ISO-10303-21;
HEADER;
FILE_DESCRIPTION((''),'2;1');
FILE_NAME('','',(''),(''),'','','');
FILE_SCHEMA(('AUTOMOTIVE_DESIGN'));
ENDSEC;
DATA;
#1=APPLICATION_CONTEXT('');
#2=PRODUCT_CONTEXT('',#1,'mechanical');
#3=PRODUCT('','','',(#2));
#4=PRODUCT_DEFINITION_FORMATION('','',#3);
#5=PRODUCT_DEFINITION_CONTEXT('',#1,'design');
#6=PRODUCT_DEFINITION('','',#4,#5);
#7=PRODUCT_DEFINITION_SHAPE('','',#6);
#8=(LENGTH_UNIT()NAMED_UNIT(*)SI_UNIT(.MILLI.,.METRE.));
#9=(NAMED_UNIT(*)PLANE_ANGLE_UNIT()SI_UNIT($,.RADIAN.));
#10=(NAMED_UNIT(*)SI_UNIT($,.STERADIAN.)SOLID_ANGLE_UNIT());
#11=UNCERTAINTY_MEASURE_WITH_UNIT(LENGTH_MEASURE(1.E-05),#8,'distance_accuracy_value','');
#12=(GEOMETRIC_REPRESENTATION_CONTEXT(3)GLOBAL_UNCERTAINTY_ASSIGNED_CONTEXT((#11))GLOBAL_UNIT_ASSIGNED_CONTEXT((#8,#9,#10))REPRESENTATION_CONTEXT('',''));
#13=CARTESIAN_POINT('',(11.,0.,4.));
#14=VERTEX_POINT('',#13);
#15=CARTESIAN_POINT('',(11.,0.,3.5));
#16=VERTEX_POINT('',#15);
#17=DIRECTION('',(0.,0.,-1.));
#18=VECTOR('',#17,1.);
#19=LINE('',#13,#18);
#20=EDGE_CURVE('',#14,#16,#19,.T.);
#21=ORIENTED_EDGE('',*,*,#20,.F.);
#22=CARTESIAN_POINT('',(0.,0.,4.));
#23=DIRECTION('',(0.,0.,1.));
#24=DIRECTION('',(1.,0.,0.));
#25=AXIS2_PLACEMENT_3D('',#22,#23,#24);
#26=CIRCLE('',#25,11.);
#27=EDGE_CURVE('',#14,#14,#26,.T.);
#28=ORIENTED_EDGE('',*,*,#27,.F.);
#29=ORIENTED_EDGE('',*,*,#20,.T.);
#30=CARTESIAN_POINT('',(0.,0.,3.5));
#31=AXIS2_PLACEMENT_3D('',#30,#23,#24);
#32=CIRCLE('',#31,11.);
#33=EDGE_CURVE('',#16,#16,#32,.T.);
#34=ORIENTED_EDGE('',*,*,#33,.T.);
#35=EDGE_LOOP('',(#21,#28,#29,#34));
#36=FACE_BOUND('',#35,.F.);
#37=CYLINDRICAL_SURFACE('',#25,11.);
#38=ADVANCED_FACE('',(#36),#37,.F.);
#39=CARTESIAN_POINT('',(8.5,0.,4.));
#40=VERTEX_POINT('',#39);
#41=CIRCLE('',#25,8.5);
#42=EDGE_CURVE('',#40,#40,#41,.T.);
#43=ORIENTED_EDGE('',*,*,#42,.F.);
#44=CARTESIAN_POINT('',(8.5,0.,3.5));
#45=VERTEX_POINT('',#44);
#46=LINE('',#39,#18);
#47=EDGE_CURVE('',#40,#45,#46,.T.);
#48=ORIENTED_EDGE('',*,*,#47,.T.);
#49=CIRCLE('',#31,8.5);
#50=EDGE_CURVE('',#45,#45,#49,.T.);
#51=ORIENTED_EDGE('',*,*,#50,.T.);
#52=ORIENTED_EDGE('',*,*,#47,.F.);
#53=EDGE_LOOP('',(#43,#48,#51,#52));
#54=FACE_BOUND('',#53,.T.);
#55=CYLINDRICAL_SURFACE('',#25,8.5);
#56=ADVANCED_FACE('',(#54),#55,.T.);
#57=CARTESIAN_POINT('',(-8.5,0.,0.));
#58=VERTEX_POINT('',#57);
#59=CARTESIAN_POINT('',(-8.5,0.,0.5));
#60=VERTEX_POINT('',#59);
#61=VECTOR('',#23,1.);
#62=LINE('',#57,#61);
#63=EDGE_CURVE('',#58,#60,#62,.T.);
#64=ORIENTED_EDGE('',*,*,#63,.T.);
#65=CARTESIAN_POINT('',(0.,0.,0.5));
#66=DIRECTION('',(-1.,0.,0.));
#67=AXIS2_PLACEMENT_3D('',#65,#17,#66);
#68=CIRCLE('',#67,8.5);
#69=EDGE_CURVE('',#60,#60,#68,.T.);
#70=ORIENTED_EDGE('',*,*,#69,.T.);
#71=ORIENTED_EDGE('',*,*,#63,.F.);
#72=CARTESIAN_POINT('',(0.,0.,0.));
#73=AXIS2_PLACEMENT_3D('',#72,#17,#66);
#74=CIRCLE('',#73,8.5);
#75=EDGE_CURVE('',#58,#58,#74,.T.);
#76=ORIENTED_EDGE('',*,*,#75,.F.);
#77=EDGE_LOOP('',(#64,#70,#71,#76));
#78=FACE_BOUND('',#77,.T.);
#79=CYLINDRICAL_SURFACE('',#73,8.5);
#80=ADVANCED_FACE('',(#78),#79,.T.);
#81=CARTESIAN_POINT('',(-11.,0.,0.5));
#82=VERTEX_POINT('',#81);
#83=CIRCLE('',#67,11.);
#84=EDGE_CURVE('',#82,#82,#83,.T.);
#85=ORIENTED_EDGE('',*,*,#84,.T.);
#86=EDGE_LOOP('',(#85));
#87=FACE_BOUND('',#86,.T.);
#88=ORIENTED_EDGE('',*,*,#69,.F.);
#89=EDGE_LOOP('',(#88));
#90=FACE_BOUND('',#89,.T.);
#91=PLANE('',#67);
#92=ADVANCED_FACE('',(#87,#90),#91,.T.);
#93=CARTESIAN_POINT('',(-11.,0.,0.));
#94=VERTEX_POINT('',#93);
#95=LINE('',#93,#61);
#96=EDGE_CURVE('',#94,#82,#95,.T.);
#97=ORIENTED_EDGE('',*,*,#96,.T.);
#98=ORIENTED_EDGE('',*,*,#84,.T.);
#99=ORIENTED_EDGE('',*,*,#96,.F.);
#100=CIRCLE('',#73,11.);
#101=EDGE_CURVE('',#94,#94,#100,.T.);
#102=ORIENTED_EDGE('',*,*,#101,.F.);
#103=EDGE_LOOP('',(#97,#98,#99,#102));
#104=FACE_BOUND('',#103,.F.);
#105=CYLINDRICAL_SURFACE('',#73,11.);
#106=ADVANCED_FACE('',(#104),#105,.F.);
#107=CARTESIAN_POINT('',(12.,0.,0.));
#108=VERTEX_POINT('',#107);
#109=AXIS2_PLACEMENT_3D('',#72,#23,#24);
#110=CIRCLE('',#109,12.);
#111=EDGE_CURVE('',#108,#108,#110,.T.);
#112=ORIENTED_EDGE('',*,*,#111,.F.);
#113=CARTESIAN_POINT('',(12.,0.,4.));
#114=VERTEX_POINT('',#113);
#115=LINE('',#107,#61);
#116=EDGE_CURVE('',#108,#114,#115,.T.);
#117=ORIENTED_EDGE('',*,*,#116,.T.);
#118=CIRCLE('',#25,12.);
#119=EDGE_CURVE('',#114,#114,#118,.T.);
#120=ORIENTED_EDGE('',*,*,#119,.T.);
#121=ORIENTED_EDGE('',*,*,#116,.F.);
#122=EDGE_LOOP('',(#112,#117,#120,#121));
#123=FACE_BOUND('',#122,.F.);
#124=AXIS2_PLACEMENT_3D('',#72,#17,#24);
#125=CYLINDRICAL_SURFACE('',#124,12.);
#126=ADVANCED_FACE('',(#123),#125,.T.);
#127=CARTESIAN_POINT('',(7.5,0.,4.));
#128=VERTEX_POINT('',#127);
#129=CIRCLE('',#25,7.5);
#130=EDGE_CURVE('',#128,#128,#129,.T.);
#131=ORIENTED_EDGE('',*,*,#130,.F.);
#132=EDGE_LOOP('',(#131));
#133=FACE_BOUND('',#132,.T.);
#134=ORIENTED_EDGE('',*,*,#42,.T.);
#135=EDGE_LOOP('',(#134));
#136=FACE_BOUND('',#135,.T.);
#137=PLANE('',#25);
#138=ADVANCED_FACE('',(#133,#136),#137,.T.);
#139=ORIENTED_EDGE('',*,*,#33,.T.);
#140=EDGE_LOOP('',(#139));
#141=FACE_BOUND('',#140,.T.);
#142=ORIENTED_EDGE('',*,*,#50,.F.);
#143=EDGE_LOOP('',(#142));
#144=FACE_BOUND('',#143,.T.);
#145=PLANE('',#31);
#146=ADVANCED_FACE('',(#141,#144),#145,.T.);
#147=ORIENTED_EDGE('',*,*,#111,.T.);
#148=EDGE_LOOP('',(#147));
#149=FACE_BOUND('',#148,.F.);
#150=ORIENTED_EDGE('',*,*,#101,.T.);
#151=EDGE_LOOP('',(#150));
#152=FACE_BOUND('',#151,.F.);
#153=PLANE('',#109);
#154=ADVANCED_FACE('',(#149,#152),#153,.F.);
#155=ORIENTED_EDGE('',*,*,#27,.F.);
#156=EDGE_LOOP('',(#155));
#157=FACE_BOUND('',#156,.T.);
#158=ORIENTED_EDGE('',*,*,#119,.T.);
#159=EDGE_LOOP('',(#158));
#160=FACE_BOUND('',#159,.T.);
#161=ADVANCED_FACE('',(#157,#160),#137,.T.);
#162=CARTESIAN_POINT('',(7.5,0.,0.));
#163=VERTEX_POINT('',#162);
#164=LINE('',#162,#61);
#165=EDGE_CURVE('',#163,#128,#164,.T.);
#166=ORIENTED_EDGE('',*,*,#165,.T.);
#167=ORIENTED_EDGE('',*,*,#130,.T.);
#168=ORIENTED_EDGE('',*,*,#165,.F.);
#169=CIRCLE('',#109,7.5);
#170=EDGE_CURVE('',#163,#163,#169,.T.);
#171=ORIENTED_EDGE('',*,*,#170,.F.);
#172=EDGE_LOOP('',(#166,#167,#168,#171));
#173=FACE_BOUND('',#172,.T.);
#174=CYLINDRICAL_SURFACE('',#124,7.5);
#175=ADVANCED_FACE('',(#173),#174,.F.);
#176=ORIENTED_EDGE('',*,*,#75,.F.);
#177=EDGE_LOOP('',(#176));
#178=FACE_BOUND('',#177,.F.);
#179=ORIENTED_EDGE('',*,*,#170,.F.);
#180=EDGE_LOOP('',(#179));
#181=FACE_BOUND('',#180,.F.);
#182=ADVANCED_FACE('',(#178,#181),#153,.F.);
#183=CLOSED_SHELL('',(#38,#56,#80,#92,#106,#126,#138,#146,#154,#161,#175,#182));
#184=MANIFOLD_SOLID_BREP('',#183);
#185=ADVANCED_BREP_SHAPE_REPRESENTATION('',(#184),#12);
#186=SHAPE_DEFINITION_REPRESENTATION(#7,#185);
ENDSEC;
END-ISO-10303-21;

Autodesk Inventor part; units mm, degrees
ref_plane "YZ Plane" through (0, 0, 0) normal (1, 0, 0) x (0, 1, 0)
ref_plane "XZ Plane" through (0, 0, 0) normal (0, 1, 0) x (-1, 0, 0)
ref_plane "XY Plane" through (0, 0, 0) normal (0, 0, 1) x (1, 0, 0)
sketch "スケッチ1" plane through (0, 0, 0) normal (0, 0, 1) x (1, 0, 0)
  circle A0 centre (0, 0) radius 7.5
  circle A1 centre (0, 0) radius 12
  dimension "d0" = 15
  dimension "d1" = 24
extrude "押し出し1" add sketch "スケッチ1" along normal blind 4
sketch "スケッチ2" plane through (0, 0, 4) normal (0, 0, 1) x (1, 0, 0)
  circle A0 centre (0, 0) radius 7.5 projected
  circle A1 centre (0, 0) radius 12 projected
  circle A2 centre (0, 0) radius 8.5
  circle A3 centre (0, 0) radius 11
  dimension "d4" = 1
  dimension "d5" = 1
extrude "押し出し2" cut sketch "スケッチ2" against normal blind 0.5 contours A3
sketch "スケッチ3" plane through (0, 0, 0) normal (0, 0, -1) x (-1, 0, 0)
  circle A0 centre (0, 0) radius 11 projected
  circle A1 centre (0, 0) radius 8.5 projected
extrude "押し出し3" cut sketch "スケッチ3" against normal blind 0.5
properties part number "ベアリングd15-D24-B4" material "鋼、炭素鋼"
